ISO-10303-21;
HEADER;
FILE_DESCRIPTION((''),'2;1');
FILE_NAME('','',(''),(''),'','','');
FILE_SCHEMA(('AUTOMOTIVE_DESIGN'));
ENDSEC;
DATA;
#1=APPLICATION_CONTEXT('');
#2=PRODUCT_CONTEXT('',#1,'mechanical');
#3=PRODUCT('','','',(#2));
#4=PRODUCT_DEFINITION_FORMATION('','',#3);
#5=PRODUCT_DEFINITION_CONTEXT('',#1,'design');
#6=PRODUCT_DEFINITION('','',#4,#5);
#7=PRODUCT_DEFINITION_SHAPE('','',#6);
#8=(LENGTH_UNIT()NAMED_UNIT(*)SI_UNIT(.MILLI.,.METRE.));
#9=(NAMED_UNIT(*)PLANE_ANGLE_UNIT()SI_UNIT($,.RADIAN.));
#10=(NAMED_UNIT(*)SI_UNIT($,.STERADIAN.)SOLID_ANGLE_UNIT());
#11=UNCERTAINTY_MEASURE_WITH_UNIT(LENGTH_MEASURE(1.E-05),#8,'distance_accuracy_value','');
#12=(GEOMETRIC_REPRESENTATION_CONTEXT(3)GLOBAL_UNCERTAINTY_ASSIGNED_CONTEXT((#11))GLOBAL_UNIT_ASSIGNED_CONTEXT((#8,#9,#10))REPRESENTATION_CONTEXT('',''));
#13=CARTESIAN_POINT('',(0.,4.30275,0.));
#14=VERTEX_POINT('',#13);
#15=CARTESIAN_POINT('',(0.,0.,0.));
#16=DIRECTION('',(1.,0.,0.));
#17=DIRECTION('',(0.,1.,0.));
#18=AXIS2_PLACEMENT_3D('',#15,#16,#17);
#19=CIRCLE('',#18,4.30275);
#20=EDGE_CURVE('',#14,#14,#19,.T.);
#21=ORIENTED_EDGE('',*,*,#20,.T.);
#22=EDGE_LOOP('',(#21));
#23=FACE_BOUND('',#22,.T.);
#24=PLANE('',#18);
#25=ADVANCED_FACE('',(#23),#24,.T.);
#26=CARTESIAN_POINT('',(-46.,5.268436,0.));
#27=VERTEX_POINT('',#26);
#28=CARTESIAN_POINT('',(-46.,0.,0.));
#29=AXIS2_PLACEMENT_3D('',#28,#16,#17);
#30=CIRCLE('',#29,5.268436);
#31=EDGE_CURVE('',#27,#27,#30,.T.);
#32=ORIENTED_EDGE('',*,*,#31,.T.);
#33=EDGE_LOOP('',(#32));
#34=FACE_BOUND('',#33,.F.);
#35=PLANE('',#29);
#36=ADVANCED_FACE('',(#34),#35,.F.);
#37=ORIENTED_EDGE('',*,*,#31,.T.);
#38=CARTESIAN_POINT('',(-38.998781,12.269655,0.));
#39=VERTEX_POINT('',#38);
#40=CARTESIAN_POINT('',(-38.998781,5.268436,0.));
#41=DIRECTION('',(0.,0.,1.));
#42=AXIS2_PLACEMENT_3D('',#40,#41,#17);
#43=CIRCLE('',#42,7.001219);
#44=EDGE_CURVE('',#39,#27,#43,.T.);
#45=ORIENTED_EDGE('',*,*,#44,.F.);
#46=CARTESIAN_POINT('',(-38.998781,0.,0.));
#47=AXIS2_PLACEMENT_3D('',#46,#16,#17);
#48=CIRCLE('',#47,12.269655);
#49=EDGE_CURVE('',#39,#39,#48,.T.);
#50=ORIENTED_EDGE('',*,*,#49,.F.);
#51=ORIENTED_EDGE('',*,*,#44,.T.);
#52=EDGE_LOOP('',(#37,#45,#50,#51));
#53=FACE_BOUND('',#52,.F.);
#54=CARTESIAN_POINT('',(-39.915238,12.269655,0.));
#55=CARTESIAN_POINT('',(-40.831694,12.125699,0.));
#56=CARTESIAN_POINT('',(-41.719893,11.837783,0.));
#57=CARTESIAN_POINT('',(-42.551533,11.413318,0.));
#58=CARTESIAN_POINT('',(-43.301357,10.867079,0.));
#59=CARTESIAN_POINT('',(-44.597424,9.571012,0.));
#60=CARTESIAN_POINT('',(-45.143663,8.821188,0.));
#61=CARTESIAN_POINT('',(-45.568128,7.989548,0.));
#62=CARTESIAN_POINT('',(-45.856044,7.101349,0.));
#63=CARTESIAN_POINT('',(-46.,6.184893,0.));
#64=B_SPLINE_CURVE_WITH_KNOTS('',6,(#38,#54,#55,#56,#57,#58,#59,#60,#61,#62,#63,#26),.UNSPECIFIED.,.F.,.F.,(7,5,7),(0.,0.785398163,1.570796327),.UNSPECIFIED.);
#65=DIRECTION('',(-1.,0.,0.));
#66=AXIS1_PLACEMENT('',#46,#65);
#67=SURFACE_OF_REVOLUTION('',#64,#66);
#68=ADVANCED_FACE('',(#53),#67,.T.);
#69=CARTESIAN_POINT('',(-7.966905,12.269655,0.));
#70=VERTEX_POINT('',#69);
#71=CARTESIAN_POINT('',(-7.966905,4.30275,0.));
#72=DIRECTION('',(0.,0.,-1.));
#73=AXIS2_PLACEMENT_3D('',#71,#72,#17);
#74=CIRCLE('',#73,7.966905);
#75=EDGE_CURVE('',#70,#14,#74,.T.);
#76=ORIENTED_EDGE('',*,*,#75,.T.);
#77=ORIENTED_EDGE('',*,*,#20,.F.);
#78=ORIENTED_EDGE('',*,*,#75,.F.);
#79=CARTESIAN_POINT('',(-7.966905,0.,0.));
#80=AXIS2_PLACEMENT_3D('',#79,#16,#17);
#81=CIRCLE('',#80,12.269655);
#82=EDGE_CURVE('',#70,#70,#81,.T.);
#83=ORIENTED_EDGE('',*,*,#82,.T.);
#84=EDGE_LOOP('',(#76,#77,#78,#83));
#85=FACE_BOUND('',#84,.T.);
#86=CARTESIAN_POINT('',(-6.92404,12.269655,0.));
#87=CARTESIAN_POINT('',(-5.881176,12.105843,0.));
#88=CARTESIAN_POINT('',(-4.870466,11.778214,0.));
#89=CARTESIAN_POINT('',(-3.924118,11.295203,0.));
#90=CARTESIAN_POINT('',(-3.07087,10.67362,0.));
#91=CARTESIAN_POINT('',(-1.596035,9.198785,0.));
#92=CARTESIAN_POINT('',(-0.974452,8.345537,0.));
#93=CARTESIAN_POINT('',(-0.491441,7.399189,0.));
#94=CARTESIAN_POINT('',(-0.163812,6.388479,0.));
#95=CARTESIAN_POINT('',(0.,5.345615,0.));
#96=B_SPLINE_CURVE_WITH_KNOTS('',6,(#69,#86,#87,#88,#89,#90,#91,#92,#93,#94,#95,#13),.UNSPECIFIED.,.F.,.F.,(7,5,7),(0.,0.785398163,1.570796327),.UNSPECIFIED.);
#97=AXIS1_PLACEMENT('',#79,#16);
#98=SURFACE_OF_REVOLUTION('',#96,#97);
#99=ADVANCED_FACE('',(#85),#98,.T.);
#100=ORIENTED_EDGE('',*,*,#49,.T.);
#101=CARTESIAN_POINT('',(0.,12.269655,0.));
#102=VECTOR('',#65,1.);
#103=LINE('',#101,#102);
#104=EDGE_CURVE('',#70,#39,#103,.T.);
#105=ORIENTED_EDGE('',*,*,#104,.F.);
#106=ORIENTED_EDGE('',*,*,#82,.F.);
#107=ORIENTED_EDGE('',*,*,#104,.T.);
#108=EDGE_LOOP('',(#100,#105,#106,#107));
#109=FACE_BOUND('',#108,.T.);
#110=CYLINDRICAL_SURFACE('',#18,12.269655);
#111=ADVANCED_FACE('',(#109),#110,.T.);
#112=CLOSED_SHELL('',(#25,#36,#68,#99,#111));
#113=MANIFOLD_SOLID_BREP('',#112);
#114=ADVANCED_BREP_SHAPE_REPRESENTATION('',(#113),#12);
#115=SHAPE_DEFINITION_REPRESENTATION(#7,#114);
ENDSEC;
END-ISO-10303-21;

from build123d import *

# Parameters (mm, degrees)
F0_R     = 12.269655
F1_DEPTH = 46
F2_R     = 7.001219
F3_R     = 7.966905


with BuildPart() as f1:
    # F0 (on Right) → F1 (new body)
    with BuildSketch(Plane.YZ):
        Circle(F0_R)
    extrude(amount=-F1_DEPTH)

    # F2
    f2_edges = [f1.edges().sort_by_distance(p)[0] for p in [
        (-46, -12.269655, 0),
    ]]
    fillet(f2_edges, radius=F2_R)

    # F3
    f3_edges = [f1.edges().sort_by_distance(p)[0] for p in [
        (0, -12.269655, 0),
    ]]
    fillet(f3_edges, radius=F3_R)


solid = f1.part
